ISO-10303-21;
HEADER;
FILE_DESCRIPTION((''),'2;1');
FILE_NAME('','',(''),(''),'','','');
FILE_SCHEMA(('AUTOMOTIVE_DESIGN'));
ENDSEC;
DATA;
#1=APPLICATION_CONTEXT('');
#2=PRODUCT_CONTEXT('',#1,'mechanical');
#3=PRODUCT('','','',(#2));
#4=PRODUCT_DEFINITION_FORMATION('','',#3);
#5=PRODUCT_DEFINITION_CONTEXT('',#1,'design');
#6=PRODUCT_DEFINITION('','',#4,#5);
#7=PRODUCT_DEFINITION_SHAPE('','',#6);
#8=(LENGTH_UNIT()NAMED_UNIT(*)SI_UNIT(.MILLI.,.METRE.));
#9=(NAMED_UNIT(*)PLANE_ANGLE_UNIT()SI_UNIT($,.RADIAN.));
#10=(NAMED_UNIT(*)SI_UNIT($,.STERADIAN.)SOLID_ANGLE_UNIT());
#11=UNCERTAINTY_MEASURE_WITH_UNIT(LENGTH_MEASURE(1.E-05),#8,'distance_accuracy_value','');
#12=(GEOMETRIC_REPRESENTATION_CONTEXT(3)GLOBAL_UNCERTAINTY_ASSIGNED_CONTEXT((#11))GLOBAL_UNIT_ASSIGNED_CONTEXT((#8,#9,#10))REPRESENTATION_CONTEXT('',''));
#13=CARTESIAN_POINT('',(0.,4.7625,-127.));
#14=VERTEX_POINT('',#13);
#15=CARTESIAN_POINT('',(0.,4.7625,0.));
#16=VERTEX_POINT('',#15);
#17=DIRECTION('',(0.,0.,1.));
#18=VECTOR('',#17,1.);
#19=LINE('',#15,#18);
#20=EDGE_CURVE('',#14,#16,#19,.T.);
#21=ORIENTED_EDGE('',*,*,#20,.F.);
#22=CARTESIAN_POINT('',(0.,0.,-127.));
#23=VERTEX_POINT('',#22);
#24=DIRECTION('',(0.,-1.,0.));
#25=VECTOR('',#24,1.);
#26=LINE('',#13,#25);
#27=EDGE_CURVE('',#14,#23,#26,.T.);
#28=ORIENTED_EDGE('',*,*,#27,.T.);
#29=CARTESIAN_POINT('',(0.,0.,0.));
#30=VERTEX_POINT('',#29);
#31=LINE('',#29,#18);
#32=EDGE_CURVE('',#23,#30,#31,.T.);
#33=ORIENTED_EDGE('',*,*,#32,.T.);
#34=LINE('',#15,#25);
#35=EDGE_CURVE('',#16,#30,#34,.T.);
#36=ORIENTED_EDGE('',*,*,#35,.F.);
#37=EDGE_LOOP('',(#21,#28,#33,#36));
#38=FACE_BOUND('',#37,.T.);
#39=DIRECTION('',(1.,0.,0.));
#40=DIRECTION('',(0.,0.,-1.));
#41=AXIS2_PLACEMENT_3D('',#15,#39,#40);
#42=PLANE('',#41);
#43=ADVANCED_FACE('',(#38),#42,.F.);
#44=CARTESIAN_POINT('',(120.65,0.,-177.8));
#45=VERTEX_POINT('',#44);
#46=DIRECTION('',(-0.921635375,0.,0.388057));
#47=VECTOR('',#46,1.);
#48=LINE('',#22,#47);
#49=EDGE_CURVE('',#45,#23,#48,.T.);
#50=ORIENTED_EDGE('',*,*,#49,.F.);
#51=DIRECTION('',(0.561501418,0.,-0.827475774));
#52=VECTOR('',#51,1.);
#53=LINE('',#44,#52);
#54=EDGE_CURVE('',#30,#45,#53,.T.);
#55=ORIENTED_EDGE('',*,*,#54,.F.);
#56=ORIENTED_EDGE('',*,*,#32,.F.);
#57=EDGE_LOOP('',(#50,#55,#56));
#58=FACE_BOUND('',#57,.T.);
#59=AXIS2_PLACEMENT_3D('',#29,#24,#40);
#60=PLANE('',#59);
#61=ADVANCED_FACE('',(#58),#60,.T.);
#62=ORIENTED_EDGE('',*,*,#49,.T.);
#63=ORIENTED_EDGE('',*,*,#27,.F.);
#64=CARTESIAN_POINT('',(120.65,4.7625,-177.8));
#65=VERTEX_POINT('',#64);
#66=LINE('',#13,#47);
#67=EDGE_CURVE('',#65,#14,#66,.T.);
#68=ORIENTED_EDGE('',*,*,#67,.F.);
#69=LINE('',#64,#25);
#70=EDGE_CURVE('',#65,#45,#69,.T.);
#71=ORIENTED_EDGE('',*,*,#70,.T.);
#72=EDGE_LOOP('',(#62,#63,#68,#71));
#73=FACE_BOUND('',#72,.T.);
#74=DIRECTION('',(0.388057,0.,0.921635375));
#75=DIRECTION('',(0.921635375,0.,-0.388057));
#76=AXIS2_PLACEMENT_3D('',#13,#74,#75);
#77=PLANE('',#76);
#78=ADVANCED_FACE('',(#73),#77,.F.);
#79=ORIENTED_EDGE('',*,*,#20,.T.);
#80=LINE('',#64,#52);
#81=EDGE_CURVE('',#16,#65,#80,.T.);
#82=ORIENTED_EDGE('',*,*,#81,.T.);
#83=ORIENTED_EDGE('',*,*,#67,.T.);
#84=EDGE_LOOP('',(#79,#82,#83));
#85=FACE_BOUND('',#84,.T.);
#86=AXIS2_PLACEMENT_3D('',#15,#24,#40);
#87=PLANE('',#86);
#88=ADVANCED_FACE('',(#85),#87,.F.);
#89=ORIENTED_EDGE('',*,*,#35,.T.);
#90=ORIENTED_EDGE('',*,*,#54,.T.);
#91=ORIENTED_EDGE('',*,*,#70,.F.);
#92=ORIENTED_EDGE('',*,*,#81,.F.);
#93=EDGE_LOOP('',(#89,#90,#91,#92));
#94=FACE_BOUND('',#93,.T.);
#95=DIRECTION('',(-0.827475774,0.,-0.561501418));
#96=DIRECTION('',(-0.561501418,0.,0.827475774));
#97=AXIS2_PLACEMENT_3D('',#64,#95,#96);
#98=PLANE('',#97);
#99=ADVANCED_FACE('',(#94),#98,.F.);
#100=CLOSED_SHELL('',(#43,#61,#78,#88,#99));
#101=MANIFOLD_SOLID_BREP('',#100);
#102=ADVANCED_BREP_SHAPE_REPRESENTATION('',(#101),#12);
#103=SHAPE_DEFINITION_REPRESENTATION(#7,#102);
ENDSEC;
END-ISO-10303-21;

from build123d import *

# Parameters (mm, degrees)
BOSS_EXTRUDE1_DEPTH = 4.7625


with BuildPart() as part:
    # Sketch1 → Boss-Extrude1 (new body)
    with BuildSketch(Plane(origin=(0, 0, 0), x_dir=(1, 0, 0), z_dir=(0, 1, 0))):
        Polygon((0, 0), (0, 127), (120.65, 177.8), align=None)
    extrude(amount=BOSS_EXTRUDE1_DEPTH)


solid = part.part
